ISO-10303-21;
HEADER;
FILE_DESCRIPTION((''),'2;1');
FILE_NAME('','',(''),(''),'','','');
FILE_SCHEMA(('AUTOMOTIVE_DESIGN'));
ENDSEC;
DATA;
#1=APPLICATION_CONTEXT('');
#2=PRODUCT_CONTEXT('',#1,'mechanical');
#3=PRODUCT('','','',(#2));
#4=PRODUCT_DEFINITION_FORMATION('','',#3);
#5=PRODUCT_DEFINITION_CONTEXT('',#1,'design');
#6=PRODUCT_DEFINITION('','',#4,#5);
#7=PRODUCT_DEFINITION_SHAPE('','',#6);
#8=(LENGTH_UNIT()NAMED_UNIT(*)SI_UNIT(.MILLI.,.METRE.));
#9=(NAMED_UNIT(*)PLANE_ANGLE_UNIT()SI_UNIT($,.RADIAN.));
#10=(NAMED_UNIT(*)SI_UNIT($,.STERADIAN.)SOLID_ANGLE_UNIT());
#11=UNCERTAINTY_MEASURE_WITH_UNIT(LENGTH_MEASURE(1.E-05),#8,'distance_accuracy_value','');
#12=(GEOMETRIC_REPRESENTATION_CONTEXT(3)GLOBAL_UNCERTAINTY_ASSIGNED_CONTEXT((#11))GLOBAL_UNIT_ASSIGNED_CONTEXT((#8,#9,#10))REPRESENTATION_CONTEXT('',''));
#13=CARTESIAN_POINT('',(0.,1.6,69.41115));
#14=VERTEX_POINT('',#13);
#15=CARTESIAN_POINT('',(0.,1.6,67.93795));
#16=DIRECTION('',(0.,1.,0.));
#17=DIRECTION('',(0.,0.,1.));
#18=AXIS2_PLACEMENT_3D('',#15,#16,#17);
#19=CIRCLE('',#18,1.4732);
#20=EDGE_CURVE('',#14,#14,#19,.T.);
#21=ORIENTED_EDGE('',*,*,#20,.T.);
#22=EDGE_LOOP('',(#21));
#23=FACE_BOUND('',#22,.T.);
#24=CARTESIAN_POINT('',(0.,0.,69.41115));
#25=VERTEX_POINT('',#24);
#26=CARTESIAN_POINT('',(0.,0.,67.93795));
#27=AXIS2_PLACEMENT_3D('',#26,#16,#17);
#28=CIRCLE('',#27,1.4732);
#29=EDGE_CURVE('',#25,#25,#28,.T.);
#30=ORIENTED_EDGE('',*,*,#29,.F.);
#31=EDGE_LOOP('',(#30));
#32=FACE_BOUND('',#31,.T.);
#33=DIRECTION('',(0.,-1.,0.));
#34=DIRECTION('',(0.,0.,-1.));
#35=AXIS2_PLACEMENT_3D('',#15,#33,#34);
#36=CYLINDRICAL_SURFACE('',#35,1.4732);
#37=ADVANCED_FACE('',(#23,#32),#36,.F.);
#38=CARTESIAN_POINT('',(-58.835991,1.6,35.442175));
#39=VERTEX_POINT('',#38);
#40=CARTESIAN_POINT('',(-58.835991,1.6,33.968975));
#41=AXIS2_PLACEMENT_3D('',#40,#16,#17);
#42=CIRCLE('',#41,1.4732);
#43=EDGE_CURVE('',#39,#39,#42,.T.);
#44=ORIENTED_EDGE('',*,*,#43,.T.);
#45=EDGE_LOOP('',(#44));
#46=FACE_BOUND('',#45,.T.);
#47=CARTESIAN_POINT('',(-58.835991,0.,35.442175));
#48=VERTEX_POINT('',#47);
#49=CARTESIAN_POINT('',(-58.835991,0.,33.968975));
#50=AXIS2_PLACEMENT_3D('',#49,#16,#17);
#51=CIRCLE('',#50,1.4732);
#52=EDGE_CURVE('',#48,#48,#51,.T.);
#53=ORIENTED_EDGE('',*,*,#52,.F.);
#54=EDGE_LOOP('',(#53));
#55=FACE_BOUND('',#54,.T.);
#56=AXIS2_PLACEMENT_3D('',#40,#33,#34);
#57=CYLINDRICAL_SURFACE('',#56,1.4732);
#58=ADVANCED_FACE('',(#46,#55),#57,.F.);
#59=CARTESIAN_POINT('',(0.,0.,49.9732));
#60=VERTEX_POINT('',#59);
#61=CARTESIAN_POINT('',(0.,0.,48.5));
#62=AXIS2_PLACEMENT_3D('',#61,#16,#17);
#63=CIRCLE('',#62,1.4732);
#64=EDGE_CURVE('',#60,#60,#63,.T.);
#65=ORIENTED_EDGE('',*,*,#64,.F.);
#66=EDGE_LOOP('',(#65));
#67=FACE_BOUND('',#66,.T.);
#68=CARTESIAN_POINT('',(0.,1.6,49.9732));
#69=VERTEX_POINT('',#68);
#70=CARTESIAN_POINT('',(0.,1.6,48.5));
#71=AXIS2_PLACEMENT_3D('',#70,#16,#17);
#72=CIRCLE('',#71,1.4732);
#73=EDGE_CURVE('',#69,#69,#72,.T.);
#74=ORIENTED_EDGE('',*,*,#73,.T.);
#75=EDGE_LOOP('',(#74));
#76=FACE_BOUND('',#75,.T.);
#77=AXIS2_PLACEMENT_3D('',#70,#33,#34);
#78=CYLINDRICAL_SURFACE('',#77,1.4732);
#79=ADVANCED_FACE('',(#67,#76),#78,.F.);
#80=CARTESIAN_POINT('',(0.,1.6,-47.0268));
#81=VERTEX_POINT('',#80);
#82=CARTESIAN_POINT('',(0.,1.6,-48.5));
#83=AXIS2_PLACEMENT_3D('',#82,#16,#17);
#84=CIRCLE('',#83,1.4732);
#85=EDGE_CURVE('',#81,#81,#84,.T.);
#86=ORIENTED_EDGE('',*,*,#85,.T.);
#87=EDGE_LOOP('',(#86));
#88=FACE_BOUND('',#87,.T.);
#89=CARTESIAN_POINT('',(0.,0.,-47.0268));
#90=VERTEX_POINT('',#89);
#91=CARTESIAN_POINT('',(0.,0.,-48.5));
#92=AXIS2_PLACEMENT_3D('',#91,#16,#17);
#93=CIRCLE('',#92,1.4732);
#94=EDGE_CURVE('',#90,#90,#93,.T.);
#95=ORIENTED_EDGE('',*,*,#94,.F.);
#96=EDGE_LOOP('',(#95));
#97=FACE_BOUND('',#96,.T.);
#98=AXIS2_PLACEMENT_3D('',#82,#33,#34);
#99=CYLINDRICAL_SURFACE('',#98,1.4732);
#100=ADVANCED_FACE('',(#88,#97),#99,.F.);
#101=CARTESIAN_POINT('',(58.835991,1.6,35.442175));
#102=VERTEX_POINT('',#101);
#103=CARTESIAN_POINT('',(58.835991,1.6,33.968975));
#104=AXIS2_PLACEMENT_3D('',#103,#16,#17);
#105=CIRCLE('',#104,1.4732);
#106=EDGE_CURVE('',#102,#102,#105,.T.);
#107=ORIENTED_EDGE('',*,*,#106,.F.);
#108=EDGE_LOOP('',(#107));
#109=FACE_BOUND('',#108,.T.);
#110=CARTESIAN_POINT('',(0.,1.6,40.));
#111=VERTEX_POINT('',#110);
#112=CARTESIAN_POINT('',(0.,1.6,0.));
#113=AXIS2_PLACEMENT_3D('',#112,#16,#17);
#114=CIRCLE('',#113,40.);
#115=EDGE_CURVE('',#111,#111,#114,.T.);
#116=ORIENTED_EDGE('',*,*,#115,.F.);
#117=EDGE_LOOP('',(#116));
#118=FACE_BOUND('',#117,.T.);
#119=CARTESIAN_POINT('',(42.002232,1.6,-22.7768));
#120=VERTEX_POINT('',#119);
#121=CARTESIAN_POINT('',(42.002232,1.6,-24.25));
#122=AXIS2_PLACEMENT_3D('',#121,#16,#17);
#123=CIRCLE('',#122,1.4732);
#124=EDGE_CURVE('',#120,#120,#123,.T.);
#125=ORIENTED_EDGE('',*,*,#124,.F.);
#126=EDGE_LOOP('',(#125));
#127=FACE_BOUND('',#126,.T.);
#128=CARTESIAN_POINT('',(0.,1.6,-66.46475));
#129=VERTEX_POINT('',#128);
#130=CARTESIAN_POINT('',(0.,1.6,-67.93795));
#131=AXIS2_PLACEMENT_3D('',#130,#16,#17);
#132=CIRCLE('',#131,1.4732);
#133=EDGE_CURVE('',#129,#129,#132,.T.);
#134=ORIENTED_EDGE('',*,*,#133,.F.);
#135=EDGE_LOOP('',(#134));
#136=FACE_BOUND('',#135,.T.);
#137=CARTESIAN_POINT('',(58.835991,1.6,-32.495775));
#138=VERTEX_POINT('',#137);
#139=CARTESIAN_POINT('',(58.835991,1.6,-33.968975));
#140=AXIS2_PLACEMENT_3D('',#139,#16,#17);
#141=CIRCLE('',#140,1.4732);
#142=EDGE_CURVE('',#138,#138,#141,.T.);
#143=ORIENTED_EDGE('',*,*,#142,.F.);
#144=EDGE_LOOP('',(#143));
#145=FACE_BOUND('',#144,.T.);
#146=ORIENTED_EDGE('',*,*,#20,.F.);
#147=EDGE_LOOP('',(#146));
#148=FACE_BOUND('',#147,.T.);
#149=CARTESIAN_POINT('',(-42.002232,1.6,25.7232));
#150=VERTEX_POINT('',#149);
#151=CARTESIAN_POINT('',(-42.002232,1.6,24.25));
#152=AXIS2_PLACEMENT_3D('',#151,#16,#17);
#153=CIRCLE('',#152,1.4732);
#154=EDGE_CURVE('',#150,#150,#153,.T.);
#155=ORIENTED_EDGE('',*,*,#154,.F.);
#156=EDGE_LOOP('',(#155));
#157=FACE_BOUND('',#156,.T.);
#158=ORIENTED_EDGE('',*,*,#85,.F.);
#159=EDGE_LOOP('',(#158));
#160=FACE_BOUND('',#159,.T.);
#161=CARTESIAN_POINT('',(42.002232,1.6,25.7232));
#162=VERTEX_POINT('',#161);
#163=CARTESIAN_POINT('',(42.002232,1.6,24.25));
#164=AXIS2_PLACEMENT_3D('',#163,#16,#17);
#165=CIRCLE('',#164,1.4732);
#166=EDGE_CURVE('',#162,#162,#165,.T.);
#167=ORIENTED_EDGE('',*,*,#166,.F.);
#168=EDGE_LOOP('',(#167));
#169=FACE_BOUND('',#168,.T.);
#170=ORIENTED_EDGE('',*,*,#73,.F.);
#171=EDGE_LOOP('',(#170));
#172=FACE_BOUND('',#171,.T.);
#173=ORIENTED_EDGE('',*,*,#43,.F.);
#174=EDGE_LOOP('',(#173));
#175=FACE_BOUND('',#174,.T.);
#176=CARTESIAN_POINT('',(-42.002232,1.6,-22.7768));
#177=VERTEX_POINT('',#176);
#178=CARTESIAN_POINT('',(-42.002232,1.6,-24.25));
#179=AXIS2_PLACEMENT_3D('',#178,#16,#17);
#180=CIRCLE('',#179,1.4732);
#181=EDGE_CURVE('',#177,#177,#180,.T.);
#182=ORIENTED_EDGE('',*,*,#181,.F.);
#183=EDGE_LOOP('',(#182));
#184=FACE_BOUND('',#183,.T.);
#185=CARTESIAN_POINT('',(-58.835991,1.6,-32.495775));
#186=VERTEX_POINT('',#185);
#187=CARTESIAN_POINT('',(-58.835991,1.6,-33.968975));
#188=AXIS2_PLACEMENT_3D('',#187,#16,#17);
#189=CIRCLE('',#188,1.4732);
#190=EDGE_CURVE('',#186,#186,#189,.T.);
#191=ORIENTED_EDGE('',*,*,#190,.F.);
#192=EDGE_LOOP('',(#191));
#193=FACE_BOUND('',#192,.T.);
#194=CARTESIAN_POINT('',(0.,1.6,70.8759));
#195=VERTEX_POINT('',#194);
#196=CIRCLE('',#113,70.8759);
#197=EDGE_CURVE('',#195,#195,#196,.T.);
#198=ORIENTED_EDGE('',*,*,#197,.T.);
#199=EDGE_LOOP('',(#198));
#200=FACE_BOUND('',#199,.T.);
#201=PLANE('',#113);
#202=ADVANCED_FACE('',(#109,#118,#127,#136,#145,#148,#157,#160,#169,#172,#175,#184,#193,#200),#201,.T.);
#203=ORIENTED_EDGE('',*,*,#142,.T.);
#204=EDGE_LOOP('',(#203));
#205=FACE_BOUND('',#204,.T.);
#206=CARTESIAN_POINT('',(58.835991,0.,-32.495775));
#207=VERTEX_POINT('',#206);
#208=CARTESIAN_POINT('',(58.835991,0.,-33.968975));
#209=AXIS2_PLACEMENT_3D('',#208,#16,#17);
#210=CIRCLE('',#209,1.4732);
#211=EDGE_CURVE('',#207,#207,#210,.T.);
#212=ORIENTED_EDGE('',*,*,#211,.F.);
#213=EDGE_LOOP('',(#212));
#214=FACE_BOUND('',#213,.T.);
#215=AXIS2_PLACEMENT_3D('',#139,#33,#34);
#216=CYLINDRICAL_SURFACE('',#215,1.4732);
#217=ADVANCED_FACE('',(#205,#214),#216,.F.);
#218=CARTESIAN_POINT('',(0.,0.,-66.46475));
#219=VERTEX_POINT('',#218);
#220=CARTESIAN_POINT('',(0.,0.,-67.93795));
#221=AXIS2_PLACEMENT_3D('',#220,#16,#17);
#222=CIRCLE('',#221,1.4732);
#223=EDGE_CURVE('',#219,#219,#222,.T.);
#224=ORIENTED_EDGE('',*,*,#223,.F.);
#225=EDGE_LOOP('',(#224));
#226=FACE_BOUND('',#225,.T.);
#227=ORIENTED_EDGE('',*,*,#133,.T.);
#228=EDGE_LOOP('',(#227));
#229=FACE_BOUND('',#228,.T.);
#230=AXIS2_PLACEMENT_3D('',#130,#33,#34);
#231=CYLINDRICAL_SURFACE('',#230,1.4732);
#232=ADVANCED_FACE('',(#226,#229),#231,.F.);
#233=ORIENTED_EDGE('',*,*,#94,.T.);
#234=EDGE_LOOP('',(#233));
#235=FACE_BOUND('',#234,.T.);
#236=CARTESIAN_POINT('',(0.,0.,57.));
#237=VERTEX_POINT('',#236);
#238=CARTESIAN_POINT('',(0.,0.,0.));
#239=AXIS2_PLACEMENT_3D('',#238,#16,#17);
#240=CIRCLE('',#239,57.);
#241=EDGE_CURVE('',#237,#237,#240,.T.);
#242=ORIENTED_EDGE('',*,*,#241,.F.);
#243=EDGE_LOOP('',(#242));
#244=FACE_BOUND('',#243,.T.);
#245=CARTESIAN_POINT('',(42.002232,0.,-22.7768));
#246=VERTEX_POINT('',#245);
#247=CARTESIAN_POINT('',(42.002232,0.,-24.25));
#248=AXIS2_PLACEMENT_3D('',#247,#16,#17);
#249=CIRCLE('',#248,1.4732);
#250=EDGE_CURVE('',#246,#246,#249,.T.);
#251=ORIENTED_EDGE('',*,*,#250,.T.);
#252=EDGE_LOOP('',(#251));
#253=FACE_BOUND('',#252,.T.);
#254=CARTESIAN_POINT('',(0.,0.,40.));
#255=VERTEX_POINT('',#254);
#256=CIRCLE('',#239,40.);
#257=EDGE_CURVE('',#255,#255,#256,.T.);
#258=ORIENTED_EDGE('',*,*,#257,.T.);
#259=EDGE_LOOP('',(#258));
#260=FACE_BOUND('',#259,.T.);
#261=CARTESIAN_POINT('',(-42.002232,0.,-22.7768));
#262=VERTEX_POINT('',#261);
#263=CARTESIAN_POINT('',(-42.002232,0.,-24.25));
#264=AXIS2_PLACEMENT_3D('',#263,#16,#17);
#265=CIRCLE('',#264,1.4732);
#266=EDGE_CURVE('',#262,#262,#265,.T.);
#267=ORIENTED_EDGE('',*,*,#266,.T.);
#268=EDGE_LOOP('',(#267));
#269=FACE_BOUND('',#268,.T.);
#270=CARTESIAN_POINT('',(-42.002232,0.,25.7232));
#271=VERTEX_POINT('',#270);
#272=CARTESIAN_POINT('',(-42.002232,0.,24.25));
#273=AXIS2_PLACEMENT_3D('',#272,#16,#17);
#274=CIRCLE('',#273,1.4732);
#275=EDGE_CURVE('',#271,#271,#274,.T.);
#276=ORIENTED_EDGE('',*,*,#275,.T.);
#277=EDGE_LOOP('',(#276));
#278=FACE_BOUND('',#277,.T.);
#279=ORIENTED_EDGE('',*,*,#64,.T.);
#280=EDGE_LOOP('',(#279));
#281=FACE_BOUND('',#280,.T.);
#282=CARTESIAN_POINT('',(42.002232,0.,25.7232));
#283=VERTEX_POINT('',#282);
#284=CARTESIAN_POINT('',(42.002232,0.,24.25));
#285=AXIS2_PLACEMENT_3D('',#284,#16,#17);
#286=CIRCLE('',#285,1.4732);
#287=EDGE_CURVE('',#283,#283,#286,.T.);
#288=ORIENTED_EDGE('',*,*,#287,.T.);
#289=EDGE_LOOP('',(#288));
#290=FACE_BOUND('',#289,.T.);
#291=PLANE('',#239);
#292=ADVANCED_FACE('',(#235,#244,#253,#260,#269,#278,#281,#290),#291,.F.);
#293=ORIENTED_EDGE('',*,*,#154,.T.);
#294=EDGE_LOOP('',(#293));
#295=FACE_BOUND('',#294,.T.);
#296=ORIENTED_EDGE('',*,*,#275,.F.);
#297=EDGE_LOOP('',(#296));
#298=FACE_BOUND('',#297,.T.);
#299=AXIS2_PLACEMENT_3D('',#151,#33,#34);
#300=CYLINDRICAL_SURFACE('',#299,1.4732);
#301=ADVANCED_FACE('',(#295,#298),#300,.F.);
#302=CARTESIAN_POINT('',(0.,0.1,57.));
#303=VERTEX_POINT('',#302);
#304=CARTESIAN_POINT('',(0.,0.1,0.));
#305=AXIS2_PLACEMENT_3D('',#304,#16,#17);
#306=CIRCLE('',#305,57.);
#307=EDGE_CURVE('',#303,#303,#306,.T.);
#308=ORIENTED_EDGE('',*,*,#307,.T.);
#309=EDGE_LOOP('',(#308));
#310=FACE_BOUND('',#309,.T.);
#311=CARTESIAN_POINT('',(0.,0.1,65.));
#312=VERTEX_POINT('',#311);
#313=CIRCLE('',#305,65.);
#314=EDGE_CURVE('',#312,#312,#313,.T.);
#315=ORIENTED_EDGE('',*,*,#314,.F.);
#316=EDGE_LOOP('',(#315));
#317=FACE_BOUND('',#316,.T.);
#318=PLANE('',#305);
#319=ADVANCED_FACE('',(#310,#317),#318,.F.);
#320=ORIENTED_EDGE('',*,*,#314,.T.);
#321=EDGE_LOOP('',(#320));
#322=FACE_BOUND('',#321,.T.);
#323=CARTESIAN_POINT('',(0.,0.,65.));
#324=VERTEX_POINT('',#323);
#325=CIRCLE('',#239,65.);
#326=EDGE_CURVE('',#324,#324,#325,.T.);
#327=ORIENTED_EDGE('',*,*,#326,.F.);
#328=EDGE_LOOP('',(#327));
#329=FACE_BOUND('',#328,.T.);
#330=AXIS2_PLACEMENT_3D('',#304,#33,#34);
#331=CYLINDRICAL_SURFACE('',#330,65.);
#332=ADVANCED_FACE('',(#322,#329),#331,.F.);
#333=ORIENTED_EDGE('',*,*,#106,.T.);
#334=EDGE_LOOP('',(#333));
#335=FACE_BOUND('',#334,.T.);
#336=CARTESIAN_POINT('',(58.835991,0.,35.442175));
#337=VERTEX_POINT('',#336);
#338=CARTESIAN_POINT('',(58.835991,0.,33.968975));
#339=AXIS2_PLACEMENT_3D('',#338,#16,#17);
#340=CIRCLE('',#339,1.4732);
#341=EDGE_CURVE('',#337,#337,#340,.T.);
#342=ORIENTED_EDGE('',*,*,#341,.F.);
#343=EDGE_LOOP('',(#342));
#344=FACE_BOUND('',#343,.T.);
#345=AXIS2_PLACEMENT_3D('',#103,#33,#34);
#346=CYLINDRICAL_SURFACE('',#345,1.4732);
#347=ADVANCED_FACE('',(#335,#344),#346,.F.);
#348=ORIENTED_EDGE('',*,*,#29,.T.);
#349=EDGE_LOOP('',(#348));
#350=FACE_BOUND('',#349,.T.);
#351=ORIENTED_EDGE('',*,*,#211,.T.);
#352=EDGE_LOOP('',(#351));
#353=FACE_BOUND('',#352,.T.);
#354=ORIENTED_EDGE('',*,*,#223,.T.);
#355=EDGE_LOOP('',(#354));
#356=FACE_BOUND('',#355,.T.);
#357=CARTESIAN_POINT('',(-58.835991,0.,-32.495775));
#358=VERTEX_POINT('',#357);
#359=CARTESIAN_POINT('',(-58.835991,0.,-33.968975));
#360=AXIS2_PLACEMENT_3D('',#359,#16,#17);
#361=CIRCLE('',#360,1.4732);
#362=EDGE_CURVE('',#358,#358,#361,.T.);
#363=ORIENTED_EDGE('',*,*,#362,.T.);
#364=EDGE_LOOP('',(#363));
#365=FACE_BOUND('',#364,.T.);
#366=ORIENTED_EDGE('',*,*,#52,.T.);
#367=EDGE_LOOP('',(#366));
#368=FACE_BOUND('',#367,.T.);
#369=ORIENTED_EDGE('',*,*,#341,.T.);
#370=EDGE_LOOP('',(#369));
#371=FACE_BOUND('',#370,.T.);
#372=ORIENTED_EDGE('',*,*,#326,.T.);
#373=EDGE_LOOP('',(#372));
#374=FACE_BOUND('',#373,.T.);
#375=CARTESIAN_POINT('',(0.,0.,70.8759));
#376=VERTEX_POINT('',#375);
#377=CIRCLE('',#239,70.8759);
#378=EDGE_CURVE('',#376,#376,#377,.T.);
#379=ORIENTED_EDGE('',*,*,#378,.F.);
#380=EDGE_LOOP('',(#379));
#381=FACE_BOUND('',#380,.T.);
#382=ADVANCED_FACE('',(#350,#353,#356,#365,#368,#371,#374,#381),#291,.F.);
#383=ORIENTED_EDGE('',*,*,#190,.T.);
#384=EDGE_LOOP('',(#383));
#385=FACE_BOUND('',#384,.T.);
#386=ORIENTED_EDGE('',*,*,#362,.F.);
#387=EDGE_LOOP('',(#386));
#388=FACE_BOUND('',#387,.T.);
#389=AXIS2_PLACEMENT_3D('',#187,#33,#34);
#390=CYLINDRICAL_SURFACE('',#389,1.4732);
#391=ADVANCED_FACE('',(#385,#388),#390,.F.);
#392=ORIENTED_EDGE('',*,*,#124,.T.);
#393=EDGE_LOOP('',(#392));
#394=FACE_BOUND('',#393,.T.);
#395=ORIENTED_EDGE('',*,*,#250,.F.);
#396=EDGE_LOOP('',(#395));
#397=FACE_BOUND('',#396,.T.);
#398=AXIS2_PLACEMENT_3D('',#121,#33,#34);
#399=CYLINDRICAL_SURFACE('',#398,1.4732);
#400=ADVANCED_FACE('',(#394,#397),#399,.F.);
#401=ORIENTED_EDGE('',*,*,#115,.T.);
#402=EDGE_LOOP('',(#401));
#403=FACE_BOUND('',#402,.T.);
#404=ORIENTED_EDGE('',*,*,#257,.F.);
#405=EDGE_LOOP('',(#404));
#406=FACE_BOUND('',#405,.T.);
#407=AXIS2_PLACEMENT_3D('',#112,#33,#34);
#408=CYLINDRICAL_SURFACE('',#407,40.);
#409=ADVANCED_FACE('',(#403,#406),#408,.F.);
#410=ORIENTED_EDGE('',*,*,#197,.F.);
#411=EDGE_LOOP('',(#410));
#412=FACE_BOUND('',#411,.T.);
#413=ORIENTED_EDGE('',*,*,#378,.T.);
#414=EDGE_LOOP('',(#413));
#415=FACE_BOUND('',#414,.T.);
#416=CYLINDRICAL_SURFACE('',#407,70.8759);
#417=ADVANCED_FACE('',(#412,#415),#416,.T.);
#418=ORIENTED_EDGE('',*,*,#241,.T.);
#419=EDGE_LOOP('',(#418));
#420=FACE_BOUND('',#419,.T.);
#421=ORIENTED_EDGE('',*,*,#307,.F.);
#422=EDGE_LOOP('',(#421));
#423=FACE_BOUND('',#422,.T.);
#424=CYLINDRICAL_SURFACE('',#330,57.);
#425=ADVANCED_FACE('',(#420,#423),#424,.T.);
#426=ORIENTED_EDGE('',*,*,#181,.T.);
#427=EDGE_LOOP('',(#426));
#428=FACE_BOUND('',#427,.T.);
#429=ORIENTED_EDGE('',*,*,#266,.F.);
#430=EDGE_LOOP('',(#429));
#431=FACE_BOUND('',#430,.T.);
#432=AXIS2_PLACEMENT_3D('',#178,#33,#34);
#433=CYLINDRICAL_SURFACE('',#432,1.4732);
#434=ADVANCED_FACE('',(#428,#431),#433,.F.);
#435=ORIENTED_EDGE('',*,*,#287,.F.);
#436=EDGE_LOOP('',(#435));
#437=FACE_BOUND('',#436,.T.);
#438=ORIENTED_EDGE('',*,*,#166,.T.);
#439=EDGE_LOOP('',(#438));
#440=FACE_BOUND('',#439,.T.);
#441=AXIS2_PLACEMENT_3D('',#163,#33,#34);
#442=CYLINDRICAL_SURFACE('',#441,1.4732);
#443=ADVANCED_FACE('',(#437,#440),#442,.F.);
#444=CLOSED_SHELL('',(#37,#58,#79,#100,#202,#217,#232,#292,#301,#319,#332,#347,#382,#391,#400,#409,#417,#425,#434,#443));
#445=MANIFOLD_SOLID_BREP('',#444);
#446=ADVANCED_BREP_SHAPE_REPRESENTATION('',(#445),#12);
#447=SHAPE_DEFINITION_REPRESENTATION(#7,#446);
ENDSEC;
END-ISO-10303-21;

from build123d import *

# Parameters (mm, degrees)
SKETCH1_R           = 70.8759
SKETCH1_R_2         = 1.4732
SKETCH1_R_3         = 40
BOSS_EXTRUDE1_DEPTH = 1.6
SKETCH1_3_R         = 65
SKETCH1_3_R_2       = 57
CUT_EXTRUDE1_DEPTH  = 0.1


with BuildPart() as part:
    # Sketch1 → Boss-Extrude1 (new body)
    with BuildSketch(Plane(origin=(0, 0, 0), x_dir=(1, 0, 0), z_dir=(0, 1, 0))):
        Circle(SKETCH1_R)
        with Locations((-58.835990581, -33.968975)):
            Circle(SKETCH1_R_2, mode=Mode.SUBTRACT)
        with Locations((0, -67.93795)):
            Circle(SKETCH1_R_2, mode=Mode.SUBTRACT)
        with Locations((58.835990581, -33.968975)):
            Circle(SKETCH1_R_2, mode=Mode.SUBTRACT)
        with Locations((-58.835990581, 33.968975)):
            Circle(SKETCH1_R_2, mode=Mode.SUBTRACT)
        with Locations((0, 67.93795)):
            Circle(SKETCH1_R_2, mode=Mode.SUBTRACT)
        with Locations((58.835990581, 33.968975)):
            Circle(SKETCH1_R_2, mode=Mode.SUBTRACT)
        with Locations((0, 48.5)):
            Circle(SKETCH1_R_2, mode=Mode.SUBTRACT)
        with Locations((-42.002232084, -24.25)):
            Circle(SKETCH1_R_2, mode=Mode.SUBTRACT)
        with Locations((0, -48.5)):
            Circle(SKETCH1_R_2, mode=Mode.SUBTRACT)
        with Locations((42.002232084, -24.25)):
            Circle(SKETCH1_R_2, mode=Mode.SUBTRACT)
        with Locations((-42.002232084, 24.25)):
            Circle(SKETCH1_R_2, mode=Mode.SUBTRACT)
        Circle(SKETCH1_R_3, mode=Mode.SUBTRACT)
        with Locations((42.002232084, 24.25)):
            Circle(SKETCH1_R_2, mode=Mode.SUBTRACT)
    extrude(amount=BOSS_EXTRUDE1_DEPTH)

    # Sketch1<3> → Cut-Extrude1 (cut)
    with BuildSketch(Plane(origin=(0, 0, 0), x_dir=(1, 0, 0), z_dir=(0, 1, 0))):
        Circle(SKETCH1_3_R)
        Circle(SKETCH1_3_R_2, mode=Mode.SUBTRACT)
    extrude(amount=CUT_EXTRUDE1_DEPTH, mode=Mode.SUBTRACT)


solid = part.part
